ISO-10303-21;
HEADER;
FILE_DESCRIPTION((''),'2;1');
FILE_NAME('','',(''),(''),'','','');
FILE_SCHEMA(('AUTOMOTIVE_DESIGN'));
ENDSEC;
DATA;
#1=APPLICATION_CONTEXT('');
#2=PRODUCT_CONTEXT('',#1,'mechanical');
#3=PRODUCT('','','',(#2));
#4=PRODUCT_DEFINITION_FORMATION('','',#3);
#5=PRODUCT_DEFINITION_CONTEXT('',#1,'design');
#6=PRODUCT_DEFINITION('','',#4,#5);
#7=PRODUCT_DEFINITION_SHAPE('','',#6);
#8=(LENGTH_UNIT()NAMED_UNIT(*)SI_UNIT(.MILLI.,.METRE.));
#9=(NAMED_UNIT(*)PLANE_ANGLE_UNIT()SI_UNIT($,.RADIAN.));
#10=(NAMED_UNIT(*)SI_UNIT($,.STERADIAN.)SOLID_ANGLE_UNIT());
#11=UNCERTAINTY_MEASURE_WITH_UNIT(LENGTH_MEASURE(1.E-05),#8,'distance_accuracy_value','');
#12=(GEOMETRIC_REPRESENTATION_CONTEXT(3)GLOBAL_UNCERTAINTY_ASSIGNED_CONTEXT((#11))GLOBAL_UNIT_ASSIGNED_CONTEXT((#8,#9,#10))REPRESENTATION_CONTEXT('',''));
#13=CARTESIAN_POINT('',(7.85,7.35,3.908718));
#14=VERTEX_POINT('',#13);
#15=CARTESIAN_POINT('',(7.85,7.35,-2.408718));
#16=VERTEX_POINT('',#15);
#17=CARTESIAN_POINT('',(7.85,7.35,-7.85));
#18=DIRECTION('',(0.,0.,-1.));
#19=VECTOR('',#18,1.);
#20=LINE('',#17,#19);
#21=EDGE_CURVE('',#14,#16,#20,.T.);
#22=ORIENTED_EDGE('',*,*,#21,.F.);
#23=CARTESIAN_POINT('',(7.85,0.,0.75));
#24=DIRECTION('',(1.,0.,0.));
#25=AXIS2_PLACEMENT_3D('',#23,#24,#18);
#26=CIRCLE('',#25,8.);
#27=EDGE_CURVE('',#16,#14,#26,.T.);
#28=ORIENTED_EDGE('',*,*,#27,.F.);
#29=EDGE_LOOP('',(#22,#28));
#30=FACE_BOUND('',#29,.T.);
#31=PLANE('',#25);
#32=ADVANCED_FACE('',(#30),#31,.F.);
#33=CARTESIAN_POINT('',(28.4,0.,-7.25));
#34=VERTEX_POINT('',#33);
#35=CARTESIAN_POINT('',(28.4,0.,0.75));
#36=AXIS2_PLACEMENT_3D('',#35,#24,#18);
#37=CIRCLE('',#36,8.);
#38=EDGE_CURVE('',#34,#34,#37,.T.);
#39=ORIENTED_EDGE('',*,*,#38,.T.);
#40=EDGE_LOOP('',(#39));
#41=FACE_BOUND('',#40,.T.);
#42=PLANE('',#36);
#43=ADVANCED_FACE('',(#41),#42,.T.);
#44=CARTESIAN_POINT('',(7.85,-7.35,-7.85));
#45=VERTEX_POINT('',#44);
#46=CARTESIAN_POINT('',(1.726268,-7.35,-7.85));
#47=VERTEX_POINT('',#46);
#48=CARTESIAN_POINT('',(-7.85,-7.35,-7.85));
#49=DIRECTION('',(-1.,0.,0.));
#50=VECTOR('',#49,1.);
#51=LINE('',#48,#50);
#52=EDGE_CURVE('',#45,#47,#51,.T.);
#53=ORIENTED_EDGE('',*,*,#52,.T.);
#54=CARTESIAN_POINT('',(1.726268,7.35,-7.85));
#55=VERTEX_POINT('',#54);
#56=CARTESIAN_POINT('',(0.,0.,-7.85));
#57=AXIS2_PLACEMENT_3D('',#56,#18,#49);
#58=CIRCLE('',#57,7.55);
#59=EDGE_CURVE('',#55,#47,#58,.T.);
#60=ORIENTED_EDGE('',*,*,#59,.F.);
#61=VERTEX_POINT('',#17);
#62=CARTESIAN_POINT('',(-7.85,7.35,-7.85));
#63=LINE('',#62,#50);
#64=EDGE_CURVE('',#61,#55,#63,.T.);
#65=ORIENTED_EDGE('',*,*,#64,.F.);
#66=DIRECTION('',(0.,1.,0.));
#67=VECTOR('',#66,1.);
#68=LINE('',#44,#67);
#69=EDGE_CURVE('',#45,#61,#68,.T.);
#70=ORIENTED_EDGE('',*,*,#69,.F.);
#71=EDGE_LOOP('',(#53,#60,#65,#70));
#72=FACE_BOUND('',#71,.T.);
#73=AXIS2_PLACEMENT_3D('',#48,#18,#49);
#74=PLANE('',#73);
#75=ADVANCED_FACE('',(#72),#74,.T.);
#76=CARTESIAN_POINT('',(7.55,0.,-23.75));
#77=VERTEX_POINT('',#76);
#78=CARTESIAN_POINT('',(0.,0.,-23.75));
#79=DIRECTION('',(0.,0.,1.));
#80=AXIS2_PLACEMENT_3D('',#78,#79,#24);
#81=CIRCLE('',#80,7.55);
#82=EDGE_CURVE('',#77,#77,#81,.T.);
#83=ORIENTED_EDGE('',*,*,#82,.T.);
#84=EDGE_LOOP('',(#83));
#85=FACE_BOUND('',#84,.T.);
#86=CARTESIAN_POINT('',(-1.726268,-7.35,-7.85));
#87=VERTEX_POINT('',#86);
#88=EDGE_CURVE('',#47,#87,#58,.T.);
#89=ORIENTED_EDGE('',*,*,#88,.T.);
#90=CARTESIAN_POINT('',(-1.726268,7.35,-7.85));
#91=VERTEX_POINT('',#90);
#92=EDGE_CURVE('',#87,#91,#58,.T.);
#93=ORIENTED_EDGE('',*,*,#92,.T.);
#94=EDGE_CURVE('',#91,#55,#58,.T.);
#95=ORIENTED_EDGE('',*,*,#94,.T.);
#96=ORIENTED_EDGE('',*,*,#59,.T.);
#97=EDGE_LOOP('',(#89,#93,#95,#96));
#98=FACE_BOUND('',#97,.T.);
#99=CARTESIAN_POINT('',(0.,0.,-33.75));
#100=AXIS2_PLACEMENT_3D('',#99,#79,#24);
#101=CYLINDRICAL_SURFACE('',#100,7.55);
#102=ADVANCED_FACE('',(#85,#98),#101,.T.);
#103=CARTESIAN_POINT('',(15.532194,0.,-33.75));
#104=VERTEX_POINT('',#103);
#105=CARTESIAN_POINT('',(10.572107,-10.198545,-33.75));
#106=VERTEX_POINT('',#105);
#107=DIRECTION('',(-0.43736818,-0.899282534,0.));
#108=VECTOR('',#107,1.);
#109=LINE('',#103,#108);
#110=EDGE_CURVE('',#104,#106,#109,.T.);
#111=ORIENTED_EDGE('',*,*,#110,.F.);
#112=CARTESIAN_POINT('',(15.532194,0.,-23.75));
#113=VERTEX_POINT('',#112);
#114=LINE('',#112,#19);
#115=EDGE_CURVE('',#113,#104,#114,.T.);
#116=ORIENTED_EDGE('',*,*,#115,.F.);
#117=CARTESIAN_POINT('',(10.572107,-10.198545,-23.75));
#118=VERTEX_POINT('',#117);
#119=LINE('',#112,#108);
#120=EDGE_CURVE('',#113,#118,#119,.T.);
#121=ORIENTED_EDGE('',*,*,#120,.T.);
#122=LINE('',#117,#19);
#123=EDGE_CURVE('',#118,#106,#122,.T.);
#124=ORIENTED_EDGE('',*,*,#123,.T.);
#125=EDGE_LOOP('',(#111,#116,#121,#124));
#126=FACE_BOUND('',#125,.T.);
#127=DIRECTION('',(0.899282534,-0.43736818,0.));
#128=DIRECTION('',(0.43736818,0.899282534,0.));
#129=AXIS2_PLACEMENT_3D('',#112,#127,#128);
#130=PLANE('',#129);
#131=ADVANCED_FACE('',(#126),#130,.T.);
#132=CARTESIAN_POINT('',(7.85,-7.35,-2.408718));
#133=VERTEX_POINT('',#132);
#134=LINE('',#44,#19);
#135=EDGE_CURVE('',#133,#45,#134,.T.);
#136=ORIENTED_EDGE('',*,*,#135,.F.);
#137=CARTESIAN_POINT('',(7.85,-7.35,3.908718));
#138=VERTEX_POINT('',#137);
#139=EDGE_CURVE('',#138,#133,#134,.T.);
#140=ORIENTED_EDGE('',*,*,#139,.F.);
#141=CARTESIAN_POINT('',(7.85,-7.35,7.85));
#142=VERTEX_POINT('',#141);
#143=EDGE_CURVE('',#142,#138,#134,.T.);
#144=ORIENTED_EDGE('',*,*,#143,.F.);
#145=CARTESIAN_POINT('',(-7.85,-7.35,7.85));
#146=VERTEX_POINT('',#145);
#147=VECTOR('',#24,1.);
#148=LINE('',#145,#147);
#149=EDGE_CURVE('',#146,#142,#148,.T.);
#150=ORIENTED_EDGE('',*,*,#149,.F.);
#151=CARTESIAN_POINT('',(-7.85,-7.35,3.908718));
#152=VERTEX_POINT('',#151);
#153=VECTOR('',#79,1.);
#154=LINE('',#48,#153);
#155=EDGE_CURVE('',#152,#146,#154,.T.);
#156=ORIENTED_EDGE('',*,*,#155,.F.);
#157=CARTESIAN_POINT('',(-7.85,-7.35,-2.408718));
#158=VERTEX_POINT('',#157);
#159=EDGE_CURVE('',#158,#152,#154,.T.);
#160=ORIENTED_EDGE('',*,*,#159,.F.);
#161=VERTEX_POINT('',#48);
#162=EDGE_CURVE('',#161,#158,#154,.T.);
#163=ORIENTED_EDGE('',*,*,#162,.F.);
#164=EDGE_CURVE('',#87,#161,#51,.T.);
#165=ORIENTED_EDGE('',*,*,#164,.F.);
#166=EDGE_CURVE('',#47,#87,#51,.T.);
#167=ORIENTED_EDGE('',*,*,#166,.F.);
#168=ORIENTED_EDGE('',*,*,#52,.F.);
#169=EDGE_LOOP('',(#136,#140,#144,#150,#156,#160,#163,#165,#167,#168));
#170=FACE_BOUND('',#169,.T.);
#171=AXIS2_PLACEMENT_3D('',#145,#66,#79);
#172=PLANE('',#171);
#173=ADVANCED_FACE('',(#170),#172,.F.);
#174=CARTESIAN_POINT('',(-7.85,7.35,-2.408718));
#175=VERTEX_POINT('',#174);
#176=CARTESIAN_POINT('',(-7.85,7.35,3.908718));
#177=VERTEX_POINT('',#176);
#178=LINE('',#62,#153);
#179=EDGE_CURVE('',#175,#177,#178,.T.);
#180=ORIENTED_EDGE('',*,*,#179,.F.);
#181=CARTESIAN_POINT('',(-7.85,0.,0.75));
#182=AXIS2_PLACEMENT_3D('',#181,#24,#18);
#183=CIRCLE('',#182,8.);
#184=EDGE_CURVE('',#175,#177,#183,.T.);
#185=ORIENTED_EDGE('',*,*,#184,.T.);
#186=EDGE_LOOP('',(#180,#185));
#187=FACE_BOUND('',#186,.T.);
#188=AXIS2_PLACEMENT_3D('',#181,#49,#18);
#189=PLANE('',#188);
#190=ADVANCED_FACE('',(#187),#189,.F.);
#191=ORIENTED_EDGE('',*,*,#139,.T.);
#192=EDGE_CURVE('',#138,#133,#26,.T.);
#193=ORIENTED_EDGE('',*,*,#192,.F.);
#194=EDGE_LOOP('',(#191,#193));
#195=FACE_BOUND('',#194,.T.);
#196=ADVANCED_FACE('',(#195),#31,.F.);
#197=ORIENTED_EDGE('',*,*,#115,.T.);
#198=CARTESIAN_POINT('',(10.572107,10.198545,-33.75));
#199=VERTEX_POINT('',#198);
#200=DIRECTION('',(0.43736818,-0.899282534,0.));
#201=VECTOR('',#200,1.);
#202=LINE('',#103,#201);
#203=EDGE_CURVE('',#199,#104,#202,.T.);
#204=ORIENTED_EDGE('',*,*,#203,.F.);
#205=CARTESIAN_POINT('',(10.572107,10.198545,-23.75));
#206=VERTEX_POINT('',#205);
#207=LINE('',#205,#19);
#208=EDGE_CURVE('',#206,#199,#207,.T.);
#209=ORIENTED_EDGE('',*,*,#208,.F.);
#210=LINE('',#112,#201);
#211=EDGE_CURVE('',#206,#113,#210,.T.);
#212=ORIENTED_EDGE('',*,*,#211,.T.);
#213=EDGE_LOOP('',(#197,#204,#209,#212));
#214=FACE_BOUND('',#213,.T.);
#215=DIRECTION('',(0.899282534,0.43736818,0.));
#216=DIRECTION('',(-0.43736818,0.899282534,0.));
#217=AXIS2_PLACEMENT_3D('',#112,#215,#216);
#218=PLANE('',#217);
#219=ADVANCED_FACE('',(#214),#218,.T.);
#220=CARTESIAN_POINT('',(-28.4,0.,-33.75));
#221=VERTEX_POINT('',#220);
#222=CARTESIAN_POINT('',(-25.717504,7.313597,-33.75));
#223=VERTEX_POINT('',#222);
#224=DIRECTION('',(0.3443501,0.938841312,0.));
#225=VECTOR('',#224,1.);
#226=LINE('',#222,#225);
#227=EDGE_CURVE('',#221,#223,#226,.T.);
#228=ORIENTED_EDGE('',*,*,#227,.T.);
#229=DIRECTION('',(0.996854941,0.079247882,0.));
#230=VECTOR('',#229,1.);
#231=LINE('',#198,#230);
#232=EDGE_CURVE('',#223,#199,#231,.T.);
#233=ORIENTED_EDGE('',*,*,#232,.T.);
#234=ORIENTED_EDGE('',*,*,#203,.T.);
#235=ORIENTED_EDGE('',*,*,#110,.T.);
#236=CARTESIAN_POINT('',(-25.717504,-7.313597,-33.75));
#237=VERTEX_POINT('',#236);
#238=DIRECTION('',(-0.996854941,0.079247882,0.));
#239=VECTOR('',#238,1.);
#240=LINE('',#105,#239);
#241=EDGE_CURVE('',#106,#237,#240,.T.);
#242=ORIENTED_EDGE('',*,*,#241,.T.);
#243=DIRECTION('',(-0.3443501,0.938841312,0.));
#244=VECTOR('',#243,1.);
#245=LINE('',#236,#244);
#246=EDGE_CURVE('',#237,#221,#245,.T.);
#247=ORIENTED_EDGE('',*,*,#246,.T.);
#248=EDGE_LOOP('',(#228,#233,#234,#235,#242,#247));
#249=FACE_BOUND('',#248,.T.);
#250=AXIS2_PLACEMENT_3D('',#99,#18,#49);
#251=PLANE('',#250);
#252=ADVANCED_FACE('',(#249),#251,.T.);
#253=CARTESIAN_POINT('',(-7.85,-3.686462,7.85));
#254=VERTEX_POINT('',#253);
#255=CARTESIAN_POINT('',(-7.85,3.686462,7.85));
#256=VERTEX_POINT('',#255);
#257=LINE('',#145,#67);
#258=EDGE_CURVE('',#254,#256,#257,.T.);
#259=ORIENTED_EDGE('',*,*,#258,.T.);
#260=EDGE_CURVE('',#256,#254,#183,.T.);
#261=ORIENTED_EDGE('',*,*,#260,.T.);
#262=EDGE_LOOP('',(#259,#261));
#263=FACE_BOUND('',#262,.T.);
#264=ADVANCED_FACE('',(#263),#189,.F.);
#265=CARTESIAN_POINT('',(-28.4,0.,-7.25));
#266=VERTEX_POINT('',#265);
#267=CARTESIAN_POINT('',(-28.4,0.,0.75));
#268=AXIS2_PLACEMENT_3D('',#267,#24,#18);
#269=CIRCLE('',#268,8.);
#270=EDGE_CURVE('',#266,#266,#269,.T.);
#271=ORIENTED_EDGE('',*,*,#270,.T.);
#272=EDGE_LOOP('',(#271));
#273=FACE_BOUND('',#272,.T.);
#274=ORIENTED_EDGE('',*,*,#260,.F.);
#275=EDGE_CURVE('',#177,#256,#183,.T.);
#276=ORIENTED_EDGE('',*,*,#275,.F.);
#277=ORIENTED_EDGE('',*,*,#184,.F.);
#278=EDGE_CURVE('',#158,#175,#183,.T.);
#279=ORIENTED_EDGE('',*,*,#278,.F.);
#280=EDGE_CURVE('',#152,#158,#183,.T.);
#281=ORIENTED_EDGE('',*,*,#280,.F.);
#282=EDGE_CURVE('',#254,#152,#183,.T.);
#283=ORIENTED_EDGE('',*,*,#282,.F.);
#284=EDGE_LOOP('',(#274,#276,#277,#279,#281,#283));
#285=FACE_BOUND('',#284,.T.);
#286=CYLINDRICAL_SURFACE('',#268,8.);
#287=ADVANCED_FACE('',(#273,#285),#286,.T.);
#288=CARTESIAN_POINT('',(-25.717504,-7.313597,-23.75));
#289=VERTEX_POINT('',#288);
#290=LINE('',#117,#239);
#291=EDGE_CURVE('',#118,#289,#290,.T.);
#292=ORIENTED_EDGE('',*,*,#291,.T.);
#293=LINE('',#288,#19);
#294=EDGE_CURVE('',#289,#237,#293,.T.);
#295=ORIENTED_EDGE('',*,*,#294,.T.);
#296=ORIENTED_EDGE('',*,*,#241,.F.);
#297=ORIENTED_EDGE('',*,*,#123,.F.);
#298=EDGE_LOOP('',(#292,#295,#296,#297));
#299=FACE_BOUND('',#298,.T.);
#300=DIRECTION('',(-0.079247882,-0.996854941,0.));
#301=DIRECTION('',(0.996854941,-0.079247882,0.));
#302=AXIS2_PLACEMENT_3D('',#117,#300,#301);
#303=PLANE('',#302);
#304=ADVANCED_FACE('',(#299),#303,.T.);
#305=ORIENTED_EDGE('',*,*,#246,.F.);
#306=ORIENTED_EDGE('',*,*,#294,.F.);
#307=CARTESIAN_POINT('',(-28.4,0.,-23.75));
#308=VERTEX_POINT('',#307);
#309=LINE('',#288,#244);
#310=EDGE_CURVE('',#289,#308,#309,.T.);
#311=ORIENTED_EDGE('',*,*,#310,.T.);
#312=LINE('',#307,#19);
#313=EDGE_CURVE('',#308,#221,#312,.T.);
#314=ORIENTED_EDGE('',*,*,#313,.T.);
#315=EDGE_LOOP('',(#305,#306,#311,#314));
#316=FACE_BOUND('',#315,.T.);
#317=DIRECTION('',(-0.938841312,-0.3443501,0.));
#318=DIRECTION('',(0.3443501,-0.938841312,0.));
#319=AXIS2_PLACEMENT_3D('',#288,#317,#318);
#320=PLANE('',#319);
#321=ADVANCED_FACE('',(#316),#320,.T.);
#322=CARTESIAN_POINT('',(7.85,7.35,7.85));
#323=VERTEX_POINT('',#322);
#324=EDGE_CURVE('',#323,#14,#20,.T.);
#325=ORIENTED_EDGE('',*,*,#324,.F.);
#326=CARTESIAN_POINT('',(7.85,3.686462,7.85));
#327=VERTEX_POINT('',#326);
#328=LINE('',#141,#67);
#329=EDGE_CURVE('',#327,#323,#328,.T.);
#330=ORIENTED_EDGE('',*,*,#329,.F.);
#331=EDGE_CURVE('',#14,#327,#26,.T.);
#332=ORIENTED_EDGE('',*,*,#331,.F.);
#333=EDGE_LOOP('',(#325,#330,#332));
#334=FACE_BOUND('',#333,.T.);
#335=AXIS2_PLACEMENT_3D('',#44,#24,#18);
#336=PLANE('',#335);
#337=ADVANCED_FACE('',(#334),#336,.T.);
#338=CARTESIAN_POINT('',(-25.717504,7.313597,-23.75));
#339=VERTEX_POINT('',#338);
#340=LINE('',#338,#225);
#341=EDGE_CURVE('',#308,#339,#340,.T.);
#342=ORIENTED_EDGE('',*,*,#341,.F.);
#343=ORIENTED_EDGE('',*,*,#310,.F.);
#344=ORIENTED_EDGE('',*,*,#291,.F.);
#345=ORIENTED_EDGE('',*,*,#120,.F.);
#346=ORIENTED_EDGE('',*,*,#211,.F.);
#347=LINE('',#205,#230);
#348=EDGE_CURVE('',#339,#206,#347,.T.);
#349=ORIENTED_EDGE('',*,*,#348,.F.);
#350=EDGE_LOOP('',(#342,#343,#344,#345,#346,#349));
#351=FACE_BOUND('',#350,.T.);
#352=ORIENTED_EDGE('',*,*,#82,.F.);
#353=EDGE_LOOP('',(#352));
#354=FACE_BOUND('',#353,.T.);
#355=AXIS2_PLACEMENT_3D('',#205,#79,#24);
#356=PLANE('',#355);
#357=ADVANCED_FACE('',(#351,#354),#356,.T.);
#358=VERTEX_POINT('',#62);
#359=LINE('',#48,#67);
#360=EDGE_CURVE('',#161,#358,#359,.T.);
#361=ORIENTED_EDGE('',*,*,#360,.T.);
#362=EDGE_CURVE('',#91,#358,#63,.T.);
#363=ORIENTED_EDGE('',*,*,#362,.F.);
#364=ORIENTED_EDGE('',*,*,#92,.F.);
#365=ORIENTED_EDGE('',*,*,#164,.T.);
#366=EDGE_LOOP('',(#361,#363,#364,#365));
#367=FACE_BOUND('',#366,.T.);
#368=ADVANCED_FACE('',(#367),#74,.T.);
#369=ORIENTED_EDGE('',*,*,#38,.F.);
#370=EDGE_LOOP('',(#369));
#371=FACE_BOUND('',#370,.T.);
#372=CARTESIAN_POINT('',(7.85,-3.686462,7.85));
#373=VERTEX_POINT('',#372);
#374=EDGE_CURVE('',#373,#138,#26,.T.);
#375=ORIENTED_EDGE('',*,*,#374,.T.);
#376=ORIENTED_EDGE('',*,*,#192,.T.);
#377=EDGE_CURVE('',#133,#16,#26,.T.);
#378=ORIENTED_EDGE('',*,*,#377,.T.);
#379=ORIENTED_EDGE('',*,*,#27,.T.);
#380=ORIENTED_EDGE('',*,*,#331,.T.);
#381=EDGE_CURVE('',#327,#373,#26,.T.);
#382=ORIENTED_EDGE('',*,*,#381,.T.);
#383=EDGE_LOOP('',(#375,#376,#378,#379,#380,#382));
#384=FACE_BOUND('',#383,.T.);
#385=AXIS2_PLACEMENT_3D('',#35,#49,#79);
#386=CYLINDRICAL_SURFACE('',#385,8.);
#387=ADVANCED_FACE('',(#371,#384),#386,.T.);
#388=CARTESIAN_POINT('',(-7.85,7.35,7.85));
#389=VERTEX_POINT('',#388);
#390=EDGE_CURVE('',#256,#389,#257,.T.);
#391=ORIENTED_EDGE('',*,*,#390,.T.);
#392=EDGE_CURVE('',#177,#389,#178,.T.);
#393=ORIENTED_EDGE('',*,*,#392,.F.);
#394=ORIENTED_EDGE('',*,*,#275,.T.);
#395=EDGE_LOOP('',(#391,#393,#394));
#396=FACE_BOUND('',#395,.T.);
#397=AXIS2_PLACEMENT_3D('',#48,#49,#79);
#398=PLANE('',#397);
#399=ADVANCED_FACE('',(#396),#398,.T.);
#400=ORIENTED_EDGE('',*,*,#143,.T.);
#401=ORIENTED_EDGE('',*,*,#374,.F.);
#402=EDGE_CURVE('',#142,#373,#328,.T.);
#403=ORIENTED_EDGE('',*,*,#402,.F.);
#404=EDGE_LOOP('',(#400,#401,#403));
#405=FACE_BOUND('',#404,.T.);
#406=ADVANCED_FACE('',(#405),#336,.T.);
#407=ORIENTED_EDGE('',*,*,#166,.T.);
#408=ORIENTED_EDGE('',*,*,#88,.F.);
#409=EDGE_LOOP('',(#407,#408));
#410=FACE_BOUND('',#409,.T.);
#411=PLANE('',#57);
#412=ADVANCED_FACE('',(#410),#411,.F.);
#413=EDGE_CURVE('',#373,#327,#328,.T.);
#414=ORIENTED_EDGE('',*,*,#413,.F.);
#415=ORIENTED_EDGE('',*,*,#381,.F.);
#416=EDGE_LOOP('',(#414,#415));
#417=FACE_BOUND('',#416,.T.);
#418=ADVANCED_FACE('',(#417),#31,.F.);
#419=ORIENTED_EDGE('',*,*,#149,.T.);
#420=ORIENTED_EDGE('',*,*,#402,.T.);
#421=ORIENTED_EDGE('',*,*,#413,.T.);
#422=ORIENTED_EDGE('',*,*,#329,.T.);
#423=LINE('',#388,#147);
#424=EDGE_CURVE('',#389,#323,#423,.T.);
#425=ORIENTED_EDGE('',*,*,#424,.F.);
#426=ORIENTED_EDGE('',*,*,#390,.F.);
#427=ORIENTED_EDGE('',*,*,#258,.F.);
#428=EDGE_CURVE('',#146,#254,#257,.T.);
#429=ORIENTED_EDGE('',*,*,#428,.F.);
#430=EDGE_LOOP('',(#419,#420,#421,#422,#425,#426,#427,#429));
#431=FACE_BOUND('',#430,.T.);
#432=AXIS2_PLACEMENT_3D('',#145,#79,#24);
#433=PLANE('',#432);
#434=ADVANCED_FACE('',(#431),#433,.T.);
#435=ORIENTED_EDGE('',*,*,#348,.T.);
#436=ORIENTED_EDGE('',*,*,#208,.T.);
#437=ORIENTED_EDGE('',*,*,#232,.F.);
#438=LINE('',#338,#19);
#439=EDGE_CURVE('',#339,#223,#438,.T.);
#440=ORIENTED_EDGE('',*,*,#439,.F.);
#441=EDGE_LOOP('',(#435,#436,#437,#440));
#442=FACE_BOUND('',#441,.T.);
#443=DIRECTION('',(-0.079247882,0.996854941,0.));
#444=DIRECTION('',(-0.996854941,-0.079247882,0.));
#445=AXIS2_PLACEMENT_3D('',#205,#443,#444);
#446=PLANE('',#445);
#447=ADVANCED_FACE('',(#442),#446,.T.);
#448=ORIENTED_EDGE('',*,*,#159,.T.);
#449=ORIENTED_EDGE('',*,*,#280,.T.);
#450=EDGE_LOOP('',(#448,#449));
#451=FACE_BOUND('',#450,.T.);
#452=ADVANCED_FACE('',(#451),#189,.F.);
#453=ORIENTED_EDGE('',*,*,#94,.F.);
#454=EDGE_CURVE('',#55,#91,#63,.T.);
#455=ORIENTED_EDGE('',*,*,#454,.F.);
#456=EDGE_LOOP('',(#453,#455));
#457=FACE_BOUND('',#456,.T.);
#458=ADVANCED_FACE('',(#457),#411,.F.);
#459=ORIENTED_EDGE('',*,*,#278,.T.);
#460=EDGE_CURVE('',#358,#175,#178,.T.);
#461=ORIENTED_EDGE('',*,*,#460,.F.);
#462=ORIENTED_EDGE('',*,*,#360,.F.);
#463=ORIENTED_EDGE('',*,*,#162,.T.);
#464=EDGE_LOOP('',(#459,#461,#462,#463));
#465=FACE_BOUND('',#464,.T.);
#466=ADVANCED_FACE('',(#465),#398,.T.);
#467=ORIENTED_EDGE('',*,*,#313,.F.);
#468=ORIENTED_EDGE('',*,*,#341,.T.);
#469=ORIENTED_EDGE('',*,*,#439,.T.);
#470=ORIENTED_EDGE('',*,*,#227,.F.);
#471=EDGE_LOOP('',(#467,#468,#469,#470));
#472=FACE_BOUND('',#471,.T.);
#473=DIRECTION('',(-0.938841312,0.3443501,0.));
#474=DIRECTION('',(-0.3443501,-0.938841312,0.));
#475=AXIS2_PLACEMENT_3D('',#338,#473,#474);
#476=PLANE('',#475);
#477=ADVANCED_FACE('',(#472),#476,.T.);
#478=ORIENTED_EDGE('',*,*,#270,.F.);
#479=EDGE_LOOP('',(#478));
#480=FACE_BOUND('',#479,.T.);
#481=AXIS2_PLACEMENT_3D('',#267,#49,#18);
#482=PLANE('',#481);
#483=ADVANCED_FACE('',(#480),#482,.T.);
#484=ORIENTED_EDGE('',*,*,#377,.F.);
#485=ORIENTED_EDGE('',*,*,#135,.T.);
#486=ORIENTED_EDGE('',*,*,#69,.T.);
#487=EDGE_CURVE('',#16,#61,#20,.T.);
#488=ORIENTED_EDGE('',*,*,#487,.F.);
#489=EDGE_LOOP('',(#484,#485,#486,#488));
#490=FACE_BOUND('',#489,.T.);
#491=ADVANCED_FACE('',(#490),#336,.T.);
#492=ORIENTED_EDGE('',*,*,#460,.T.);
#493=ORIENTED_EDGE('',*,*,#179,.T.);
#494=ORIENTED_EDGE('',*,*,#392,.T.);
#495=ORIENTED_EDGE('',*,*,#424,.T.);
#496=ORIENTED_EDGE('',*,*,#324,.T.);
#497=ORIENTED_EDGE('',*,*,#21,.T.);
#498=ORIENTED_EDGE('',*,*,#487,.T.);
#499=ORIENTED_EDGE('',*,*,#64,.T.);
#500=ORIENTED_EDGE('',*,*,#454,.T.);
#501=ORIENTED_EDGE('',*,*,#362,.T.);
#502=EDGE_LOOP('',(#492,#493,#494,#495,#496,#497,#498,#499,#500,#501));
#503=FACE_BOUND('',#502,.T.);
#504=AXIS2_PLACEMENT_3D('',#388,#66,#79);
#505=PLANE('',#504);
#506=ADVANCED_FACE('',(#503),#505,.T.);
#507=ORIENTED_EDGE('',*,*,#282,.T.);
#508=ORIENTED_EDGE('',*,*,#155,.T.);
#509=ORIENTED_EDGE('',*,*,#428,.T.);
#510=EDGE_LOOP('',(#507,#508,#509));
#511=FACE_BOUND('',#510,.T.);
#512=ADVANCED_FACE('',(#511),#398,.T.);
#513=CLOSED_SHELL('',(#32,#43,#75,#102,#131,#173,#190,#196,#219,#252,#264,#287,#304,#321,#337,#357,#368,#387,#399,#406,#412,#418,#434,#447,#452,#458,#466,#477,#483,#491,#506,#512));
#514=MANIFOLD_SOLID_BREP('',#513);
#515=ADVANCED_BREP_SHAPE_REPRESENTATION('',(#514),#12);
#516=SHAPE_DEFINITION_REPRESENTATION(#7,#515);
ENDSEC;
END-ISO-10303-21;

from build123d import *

# Parameters (mm, degrees)
BOSS_EXTRUDE2_DEPTH      = 7.35
BOSS_EXTRUDE2_DEPTH_BACK = 7.35
SKETCH2_W                = 15.7
SKETCH2_H                = 15.7
SKETCH3_R                = 8
BOSS_EXTRUDE3_DEPTH      = 20.55
SKETCH4_R                = 7.55
BOSS_EXTRUDE4_DEPTH      = 25.9
BOSS_EXTRUDE5_DEPTH      = 10


with BuildPart() as part:
    # Sketch2 → Boss-Extrude2 (new, two sides: drawn at the far end of the back side and taken through both)
    with BuildSketch(Plane(origin=(0, 0, 0), x_dir=(1, 0, 0), z_dir=(0, 1, 0)).offset(-BOSS_EXTRUDE2_DEPTH_BACK)):
        Rectangle(SKETCH2_W, SKETCH2_H)
    extrude(amount=BOSS_EXTRUDE2_DEPTH + BOSS_EXTRUDE2_DEPTH_BACK)

    # Sketch3 → Boss-Extrude3 (add)
    with BuildSketch(Plane(origin=(7.85, 0, 0), x_dir=(0, 0, -1), z_dir=(1, 0, 0))):
        with Locations((-0.75, 0)):
            Circle(SKETCH3_R)
    boss_extrude3 = extrude(amount=BOSS_EXTRUDE3_DEPTH)

    # Sketch4 → Boss-Extrude4 (add)
    with BuildSketch(Plane(origin=(0, 0, -7.85), x_dir=(-1, 0, 0), z_dir=(0, 0, -1))):
        Circle(SKETCH4_R)
    extrude(amount=BOSS_EXTRUDE4_DEPTH)

    # Sketch5 → Boss-Extrude5 (add)
    with BuildSketch(Plane(origin=(0, 0, -33.75), x_dir=(-1, 0, 0), z_dir=(0, 0, -1))):
        Polygon((-15.532193585, 0), (-10.572107213, -10.198544939), (25.717504309, -7.313596743), (28.4, 0), (25.717504309, 7.313596743), (-10.572107213, 10.198544939), align=None)
    extrude(amount=-BOSS_EXTRUDE5_DEPTH)

    # Mirror1: Boss-Extrude3 across plane
    add(boss_extrude3.mirror(Plane(origin=(0, 0, 0), x_dir=(0, 0, 1), z_dir=(1, 0, 0))))


solid = part.part
